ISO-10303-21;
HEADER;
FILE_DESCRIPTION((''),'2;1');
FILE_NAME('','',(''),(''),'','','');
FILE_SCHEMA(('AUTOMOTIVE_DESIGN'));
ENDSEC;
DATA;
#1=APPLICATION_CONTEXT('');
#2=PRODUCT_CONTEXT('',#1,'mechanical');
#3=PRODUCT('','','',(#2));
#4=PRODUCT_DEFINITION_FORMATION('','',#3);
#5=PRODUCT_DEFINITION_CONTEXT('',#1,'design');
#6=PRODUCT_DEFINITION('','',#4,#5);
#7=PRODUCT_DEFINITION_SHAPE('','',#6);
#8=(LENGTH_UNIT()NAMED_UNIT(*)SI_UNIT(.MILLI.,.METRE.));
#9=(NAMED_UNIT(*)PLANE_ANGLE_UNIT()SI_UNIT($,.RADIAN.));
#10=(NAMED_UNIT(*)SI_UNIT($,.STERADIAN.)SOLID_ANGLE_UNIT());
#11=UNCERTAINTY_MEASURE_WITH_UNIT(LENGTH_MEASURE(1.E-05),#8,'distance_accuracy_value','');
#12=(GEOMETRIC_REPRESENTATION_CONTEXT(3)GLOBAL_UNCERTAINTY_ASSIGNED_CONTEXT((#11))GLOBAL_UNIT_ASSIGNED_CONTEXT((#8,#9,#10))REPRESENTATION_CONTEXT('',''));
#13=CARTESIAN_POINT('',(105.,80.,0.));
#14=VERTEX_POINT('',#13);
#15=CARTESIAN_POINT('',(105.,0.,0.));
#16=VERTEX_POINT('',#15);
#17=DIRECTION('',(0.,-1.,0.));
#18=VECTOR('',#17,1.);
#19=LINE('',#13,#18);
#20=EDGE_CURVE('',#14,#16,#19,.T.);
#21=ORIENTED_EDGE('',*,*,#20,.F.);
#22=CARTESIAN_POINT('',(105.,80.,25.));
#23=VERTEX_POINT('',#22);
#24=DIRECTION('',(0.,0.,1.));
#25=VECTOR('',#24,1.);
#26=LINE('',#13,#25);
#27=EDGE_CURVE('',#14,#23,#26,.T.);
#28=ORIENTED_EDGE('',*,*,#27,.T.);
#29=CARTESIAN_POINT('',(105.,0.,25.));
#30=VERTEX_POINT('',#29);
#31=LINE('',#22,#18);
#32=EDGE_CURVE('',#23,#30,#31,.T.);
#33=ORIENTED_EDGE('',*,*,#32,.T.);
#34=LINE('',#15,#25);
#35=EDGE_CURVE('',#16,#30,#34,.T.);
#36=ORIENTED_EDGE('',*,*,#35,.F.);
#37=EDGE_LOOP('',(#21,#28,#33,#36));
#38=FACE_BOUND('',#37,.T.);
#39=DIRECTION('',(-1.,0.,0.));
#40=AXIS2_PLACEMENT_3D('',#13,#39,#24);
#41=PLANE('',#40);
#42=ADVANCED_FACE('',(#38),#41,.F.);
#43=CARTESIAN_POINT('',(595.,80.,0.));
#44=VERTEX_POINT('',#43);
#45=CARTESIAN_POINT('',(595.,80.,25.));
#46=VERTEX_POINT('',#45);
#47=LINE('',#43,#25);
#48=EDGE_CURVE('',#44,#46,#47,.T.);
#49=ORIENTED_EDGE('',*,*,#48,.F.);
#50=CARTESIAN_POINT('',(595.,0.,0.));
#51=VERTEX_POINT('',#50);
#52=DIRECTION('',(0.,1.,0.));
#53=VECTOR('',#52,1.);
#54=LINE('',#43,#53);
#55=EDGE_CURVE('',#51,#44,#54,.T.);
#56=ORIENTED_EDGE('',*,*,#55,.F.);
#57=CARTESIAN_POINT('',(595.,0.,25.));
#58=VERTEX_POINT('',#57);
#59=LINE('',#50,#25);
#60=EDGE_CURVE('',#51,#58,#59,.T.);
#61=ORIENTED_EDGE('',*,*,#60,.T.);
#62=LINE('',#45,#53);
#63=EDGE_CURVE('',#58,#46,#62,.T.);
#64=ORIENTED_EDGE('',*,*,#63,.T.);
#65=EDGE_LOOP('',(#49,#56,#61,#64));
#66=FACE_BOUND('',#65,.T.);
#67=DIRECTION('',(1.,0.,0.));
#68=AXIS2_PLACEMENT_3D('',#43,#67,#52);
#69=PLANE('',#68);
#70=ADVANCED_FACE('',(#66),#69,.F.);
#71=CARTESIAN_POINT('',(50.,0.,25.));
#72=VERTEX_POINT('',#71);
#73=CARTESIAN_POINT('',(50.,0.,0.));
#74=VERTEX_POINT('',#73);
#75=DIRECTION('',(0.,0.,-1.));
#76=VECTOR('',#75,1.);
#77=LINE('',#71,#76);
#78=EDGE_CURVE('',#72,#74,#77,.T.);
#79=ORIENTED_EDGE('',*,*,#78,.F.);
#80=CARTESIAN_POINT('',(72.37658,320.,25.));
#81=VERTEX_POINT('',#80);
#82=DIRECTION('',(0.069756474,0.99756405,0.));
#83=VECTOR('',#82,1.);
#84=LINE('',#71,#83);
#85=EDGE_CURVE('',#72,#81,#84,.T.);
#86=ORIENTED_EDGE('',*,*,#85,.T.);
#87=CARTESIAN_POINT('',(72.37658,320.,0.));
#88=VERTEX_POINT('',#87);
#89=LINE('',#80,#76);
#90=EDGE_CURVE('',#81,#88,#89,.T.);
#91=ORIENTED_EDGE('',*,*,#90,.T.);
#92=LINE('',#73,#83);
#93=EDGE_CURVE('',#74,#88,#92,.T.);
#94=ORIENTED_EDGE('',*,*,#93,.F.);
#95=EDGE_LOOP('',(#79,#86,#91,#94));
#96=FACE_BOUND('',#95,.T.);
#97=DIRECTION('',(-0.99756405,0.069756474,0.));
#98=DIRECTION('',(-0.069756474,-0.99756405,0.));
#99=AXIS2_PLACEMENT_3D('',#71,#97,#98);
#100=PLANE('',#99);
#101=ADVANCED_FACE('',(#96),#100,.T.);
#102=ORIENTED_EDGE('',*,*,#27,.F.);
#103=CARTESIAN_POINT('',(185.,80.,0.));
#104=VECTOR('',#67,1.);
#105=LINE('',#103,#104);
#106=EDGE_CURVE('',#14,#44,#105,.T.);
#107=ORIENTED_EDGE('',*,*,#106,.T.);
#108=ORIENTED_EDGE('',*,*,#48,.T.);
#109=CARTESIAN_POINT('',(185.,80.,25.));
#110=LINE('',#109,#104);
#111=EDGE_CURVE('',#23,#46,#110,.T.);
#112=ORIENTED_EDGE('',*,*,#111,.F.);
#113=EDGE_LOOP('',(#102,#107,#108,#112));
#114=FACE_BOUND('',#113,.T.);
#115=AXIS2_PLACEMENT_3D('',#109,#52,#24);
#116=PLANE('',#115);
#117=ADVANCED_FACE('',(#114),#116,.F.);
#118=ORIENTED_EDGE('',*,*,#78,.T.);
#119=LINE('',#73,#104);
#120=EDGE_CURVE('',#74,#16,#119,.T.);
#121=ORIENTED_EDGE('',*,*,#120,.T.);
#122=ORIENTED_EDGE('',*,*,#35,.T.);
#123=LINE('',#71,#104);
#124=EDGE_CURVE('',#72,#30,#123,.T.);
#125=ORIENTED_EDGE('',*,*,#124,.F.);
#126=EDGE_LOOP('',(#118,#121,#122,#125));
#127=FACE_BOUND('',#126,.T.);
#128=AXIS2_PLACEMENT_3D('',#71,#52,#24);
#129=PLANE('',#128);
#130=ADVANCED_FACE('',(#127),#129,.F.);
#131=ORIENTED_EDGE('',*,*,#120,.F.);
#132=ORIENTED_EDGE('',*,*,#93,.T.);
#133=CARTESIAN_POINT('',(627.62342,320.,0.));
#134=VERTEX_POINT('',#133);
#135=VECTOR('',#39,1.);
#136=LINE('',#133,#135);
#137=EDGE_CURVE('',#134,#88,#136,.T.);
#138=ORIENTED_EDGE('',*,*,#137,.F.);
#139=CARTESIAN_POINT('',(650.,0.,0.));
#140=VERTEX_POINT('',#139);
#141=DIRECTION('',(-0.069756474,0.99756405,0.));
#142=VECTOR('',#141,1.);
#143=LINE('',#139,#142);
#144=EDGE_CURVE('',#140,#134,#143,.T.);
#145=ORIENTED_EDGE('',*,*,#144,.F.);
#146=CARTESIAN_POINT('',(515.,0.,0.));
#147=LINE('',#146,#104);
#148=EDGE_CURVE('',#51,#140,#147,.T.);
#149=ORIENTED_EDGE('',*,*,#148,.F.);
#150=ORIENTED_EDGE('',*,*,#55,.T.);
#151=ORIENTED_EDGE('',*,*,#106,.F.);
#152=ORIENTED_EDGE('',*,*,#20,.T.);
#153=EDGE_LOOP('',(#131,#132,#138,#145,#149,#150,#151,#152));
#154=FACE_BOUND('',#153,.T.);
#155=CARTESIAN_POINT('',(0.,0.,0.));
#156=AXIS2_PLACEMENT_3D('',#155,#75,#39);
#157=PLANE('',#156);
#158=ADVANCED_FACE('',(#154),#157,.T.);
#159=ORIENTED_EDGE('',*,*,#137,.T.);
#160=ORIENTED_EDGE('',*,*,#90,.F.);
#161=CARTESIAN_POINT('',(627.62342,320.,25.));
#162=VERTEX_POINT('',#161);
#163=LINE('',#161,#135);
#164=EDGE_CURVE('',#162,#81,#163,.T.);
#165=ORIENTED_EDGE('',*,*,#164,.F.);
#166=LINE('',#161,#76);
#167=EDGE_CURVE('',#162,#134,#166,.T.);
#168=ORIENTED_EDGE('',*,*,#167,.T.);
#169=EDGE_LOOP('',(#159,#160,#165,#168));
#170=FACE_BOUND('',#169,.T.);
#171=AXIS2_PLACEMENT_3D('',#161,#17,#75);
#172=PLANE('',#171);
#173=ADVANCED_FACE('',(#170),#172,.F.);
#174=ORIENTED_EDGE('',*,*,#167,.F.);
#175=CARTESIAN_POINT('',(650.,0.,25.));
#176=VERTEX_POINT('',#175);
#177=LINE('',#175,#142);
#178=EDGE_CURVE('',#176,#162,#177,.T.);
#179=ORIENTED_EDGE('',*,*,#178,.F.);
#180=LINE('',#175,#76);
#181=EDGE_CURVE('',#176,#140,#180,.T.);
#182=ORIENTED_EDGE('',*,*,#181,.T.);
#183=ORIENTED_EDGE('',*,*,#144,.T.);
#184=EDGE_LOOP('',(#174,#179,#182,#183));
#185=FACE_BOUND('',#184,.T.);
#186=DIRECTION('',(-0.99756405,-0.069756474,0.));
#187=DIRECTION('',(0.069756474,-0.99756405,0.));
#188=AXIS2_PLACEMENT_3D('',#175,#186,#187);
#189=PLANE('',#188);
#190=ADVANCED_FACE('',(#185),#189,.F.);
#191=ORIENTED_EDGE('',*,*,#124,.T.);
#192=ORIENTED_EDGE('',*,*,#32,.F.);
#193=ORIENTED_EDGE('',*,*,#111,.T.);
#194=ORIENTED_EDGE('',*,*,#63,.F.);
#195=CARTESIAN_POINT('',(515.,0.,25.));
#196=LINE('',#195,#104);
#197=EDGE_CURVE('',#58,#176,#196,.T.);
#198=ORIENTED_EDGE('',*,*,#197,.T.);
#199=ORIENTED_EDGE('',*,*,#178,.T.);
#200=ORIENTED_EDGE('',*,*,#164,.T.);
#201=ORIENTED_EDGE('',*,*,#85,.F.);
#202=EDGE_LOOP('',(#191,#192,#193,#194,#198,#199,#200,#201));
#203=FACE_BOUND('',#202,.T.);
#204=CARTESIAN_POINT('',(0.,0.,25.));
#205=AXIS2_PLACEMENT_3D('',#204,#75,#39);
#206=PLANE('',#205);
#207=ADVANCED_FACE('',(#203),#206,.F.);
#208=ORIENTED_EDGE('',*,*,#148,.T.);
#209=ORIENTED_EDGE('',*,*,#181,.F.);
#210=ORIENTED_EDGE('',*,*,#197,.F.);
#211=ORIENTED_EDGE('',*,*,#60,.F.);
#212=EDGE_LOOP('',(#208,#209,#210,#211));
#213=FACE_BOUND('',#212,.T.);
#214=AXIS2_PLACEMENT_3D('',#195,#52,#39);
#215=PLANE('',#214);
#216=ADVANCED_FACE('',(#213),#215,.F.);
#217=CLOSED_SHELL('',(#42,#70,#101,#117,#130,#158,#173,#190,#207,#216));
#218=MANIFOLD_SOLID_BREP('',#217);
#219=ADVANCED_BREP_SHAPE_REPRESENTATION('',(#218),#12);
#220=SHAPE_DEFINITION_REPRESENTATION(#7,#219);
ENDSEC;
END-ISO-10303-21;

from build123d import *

# Parameters (mm, degrees)
BOSS_EXTRUDE1_DEPTH = 25
SKETCH3_W           = 80
SKETCH3_H           = 80
CUT_EXTRUDE2_DEPTH  = 26


with BuildPart() as part:
    # Sketch1 → Boss-Extrude1 (new body)
    with BuildSketch(Plane.XY):
        Polygon((50, 0), (185, 0), (185, 80), (515, 80), (515, 0), (650, 0), (627.623420178, 320), (72.376579822, 320), align=None)
    extrude(amount=BOSS_EXTRUDE1_DEPTH)

    # Sketch3 → Cut-Extrude2 (cut, through all)
    with BuildSketch(Plane.XY.offset(25)):
        with Locations((145, 40)):
            Rectangle(SKETCH3_W, SKETCH3_H)
        with Locations((555, 40)):
            Rectangle(SKETCH3_W, SKETCH3_H)
    extrude(amount=-CUT_EXTRUDE2_DEPTH, mode=Mode.SUBTRACT)


solid = part.part
